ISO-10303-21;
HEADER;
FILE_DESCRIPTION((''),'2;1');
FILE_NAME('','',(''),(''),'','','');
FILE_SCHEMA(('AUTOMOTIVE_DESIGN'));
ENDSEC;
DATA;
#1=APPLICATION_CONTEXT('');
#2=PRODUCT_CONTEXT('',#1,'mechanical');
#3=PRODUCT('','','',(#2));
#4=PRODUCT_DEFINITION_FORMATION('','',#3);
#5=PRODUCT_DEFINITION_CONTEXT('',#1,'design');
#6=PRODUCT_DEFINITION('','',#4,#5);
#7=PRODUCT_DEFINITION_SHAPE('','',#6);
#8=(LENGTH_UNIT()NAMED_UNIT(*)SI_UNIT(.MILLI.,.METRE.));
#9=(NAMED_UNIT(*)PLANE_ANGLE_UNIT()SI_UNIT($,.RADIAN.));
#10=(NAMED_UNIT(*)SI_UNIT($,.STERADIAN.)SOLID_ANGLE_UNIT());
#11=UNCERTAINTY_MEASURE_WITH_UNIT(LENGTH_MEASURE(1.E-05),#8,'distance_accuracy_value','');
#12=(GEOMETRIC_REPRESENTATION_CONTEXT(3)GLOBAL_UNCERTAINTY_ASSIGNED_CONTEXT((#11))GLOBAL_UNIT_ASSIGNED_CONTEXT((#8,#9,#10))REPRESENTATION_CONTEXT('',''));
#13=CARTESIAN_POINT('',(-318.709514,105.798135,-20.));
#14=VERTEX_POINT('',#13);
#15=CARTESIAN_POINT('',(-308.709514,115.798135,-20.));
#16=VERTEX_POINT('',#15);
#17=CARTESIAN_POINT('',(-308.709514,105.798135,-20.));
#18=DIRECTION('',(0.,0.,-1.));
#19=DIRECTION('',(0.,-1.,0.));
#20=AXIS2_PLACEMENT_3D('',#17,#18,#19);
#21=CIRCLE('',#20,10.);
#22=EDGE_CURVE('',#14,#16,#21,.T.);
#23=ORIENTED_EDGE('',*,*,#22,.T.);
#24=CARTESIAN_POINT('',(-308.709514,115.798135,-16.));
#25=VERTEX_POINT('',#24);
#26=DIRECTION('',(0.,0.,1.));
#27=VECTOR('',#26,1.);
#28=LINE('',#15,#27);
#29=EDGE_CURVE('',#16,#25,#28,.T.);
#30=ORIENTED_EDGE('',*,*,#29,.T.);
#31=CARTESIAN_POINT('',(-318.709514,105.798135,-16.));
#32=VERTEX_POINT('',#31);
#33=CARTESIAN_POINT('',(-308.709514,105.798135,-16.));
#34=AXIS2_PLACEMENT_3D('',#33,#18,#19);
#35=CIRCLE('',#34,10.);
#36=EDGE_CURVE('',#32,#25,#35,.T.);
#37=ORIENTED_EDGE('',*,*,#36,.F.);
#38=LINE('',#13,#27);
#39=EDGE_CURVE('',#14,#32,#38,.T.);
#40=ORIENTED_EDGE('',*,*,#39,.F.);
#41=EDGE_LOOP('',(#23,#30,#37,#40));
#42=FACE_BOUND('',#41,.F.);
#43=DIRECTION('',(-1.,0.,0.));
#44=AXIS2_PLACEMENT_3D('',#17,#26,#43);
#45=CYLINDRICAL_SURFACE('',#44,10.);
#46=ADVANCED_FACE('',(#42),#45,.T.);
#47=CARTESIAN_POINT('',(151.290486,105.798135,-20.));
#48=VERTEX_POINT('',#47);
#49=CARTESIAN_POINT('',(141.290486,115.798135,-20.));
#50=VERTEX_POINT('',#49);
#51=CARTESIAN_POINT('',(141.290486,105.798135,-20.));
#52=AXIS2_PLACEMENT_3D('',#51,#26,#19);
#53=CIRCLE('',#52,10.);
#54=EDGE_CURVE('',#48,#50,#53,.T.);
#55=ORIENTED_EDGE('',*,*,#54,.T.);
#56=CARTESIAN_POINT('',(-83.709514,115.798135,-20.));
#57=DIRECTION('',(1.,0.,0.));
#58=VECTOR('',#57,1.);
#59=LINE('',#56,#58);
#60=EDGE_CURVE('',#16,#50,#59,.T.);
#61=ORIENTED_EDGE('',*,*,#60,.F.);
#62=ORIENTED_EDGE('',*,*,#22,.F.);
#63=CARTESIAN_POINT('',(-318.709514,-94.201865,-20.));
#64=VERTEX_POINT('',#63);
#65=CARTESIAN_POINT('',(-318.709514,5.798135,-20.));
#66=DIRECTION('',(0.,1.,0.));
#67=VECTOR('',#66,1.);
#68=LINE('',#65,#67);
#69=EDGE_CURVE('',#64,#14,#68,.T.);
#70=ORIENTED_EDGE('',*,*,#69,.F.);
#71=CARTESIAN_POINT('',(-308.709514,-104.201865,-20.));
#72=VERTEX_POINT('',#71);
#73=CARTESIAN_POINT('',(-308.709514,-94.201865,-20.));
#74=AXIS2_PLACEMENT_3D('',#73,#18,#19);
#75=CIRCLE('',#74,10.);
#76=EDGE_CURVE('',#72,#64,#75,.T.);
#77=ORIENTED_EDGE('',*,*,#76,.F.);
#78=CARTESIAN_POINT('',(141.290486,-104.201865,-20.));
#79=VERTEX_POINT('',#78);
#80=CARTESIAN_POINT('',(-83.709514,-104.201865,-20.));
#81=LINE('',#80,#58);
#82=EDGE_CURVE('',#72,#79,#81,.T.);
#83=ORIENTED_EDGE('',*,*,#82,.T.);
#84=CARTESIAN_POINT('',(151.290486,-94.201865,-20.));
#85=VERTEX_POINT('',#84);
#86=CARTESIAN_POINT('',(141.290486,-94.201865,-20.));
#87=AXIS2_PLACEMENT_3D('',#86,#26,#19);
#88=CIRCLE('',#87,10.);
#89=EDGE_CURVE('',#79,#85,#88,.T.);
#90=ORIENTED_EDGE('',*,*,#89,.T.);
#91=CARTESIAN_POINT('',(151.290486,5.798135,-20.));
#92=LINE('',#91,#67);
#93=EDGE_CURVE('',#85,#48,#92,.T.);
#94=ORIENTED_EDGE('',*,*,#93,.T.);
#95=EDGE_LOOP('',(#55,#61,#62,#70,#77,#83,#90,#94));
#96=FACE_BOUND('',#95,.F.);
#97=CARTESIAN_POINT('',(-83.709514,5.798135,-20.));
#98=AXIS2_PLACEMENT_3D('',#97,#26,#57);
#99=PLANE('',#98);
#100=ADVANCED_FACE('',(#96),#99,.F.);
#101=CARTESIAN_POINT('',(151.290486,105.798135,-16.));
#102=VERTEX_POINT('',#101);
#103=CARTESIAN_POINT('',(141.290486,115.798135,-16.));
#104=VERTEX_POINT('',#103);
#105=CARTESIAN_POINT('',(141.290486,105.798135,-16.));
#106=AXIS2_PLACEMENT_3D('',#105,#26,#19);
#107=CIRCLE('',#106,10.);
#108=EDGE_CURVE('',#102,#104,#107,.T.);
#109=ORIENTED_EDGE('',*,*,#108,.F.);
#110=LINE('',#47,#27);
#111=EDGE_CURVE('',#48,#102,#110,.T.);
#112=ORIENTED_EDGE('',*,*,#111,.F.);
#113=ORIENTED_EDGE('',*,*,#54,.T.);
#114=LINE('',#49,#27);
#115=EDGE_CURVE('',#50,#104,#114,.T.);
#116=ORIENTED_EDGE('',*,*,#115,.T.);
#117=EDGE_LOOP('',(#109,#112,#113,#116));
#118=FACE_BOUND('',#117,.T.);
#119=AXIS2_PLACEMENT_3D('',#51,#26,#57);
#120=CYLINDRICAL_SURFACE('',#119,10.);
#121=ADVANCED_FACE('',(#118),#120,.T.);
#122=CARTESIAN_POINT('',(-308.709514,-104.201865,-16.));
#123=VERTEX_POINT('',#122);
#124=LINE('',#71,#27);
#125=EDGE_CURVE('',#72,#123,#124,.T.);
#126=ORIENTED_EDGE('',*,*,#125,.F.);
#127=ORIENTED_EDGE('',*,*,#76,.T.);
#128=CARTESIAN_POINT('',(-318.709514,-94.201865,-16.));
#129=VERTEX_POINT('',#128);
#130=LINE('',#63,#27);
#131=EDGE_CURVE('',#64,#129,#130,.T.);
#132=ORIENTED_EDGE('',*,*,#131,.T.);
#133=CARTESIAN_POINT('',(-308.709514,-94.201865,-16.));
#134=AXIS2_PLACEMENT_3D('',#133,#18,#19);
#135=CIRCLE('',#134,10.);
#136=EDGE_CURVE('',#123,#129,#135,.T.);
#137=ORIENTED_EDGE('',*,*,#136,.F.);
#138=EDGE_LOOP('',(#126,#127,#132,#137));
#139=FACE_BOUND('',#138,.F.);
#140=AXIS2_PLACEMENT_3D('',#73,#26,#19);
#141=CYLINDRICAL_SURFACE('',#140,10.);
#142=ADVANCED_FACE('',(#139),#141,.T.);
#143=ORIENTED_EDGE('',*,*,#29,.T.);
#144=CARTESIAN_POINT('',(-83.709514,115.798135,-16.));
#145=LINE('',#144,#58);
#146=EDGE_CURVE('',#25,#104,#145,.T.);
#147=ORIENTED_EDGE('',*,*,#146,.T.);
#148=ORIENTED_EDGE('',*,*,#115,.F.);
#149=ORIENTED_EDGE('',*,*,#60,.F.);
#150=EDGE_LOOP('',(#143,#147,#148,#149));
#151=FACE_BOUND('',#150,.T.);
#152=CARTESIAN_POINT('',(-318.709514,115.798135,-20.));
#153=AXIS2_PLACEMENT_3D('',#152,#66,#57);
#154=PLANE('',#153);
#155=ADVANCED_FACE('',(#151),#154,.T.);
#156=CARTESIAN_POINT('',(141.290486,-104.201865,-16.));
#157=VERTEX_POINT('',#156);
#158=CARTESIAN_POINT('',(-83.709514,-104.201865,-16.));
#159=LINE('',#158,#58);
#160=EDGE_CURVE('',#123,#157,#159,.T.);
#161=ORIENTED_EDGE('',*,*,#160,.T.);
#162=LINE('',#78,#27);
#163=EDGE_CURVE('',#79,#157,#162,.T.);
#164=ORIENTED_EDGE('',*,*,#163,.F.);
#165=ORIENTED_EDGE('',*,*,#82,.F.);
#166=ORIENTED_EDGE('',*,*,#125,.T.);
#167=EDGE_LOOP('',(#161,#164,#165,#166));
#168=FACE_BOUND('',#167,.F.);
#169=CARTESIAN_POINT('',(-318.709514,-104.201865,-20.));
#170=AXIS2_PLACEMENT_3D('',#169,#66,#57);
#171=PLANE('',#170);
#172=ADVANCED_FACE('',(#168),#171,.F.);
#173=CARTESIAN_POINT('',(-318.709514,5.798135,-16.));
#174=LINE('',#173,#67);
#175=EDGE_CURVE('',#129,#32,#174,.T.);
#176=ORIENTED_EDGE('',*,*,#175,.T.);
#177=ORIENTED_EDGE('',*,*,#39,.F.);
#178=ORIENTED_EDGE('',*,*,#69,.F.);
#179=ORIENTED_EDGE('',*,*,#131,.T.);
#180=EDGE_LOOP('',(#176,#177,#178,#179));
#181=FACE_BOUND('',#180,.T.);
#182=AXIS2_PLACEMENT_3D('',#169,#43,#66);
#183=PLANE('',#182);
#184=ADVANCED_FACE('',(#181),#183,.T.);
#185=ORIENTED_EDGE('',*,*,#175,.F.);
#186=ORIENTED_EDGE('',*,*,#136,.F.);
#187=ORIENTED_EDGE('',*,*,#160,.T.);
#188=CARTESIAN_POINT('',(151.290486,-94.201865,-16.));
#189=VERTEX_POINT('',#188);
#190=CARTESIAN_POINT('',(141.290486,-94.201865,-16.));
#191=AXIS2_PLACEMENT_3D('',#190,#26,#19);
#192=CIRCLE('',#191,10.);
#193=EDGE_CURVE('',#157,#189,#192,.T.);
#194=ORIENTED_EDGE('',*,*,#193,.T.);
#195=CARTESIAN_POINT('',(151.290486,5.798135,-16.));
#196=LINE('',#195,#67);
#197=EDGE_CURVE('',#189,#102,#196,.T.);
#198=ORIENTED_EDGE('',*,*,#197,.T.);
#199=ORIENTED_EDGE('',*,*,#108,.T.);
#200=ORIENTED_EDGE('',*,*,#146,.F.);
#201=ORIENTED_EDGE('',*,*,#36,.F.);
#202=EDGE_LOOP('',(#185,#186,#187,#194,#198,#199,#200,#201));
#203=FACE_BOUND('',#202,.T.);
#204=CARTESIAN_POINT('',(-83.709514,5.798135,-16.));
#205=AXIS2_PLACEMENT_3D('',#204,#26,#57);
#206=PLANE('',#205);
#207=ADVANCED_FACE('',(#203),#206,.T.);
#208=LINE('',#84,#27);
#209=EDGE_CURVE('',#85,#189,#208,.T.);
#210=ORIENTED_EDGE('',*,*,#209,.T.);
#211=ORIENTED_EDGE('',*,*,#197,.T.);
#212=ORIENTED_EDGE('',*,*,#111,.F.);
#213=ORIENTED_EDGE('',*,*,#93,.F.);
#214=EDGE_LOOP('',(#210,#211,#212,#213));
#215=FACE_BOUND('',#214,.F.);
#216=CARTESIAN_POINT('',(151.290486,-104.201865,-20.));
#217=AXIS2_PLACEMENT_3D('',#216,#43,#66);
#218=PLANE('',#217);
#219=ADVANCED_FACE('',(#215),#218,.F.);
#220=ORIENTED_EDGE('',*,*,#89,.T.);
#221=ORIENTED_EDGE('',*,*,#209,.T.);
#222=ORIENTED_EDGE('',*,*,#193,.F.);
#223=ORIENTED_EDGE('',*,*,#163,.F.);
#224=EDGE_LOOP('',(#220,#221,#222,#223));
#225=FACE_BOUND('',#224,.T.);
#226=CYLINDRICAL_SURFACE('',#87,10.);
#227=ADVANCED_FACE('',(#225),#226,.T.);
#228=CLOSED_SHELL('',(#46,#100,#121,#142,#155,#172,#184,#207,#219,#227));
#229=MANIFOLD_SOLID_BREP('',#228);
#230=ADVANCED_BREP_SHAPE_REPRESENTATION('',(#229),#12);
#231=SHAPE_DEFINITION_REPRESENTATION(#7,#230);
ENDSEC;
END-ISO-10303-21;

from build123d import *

# Parameters (mm, degrees)
SKETCH001_W  = 470
SKETCH001_H  = 220
PAD001_DEPTH = 4
FILLET006_R  = 10
FILLET004_R  = 10
FILLET005_R  = 10
FILLET007_R  = 10


with BuildPart() as part:
    # Sketch001 → Pad001 (new body)
    with BuildSketch(Plane.XY):
        with Locations((113.290486, 6.298135)):
            Rectangle(SKETCH001_W, SKETCH001_H)
    extrude(amount=PAD001_DEPTH)

    # Fillet006
    fillet006_edges = [part.edges().sort_by_distance(p)[0] for p in [
        (348.290486, -103.701865, 2),
    ]]
    fillet(fillet006_edges, radius=FILLET006_R)

    # Fillet004
    fillet004_edges = [part.edges().sort_by_distance(p)[0] for p in [
        (348.290486, 116.298135, 2),
    ]]
    fillet(fillet004_edges, radius=FILLET004_R)

    # Fillet005
    fillet005_edges = [part.edges().sort_by_distance(p)[0] for p in [
        (-121.709514, -103.701865, 2),
    ]]
    fillet(fillet005_edges, radius=FILLET005_R)

    # Fillet007
    fillet007_edges = [part.edges().sort_by_distance(p)[0] for p in [
        (-121.709514, 116.298135, 2),
    ]]
    fillet(fillet007_edges, radius=FILLET007_R)


with BuildPart() as part_1:
    # Body001 placement: moved
    add(part.part.moved(Location((-197, -0.5, -20))))


solid = part_1.part
